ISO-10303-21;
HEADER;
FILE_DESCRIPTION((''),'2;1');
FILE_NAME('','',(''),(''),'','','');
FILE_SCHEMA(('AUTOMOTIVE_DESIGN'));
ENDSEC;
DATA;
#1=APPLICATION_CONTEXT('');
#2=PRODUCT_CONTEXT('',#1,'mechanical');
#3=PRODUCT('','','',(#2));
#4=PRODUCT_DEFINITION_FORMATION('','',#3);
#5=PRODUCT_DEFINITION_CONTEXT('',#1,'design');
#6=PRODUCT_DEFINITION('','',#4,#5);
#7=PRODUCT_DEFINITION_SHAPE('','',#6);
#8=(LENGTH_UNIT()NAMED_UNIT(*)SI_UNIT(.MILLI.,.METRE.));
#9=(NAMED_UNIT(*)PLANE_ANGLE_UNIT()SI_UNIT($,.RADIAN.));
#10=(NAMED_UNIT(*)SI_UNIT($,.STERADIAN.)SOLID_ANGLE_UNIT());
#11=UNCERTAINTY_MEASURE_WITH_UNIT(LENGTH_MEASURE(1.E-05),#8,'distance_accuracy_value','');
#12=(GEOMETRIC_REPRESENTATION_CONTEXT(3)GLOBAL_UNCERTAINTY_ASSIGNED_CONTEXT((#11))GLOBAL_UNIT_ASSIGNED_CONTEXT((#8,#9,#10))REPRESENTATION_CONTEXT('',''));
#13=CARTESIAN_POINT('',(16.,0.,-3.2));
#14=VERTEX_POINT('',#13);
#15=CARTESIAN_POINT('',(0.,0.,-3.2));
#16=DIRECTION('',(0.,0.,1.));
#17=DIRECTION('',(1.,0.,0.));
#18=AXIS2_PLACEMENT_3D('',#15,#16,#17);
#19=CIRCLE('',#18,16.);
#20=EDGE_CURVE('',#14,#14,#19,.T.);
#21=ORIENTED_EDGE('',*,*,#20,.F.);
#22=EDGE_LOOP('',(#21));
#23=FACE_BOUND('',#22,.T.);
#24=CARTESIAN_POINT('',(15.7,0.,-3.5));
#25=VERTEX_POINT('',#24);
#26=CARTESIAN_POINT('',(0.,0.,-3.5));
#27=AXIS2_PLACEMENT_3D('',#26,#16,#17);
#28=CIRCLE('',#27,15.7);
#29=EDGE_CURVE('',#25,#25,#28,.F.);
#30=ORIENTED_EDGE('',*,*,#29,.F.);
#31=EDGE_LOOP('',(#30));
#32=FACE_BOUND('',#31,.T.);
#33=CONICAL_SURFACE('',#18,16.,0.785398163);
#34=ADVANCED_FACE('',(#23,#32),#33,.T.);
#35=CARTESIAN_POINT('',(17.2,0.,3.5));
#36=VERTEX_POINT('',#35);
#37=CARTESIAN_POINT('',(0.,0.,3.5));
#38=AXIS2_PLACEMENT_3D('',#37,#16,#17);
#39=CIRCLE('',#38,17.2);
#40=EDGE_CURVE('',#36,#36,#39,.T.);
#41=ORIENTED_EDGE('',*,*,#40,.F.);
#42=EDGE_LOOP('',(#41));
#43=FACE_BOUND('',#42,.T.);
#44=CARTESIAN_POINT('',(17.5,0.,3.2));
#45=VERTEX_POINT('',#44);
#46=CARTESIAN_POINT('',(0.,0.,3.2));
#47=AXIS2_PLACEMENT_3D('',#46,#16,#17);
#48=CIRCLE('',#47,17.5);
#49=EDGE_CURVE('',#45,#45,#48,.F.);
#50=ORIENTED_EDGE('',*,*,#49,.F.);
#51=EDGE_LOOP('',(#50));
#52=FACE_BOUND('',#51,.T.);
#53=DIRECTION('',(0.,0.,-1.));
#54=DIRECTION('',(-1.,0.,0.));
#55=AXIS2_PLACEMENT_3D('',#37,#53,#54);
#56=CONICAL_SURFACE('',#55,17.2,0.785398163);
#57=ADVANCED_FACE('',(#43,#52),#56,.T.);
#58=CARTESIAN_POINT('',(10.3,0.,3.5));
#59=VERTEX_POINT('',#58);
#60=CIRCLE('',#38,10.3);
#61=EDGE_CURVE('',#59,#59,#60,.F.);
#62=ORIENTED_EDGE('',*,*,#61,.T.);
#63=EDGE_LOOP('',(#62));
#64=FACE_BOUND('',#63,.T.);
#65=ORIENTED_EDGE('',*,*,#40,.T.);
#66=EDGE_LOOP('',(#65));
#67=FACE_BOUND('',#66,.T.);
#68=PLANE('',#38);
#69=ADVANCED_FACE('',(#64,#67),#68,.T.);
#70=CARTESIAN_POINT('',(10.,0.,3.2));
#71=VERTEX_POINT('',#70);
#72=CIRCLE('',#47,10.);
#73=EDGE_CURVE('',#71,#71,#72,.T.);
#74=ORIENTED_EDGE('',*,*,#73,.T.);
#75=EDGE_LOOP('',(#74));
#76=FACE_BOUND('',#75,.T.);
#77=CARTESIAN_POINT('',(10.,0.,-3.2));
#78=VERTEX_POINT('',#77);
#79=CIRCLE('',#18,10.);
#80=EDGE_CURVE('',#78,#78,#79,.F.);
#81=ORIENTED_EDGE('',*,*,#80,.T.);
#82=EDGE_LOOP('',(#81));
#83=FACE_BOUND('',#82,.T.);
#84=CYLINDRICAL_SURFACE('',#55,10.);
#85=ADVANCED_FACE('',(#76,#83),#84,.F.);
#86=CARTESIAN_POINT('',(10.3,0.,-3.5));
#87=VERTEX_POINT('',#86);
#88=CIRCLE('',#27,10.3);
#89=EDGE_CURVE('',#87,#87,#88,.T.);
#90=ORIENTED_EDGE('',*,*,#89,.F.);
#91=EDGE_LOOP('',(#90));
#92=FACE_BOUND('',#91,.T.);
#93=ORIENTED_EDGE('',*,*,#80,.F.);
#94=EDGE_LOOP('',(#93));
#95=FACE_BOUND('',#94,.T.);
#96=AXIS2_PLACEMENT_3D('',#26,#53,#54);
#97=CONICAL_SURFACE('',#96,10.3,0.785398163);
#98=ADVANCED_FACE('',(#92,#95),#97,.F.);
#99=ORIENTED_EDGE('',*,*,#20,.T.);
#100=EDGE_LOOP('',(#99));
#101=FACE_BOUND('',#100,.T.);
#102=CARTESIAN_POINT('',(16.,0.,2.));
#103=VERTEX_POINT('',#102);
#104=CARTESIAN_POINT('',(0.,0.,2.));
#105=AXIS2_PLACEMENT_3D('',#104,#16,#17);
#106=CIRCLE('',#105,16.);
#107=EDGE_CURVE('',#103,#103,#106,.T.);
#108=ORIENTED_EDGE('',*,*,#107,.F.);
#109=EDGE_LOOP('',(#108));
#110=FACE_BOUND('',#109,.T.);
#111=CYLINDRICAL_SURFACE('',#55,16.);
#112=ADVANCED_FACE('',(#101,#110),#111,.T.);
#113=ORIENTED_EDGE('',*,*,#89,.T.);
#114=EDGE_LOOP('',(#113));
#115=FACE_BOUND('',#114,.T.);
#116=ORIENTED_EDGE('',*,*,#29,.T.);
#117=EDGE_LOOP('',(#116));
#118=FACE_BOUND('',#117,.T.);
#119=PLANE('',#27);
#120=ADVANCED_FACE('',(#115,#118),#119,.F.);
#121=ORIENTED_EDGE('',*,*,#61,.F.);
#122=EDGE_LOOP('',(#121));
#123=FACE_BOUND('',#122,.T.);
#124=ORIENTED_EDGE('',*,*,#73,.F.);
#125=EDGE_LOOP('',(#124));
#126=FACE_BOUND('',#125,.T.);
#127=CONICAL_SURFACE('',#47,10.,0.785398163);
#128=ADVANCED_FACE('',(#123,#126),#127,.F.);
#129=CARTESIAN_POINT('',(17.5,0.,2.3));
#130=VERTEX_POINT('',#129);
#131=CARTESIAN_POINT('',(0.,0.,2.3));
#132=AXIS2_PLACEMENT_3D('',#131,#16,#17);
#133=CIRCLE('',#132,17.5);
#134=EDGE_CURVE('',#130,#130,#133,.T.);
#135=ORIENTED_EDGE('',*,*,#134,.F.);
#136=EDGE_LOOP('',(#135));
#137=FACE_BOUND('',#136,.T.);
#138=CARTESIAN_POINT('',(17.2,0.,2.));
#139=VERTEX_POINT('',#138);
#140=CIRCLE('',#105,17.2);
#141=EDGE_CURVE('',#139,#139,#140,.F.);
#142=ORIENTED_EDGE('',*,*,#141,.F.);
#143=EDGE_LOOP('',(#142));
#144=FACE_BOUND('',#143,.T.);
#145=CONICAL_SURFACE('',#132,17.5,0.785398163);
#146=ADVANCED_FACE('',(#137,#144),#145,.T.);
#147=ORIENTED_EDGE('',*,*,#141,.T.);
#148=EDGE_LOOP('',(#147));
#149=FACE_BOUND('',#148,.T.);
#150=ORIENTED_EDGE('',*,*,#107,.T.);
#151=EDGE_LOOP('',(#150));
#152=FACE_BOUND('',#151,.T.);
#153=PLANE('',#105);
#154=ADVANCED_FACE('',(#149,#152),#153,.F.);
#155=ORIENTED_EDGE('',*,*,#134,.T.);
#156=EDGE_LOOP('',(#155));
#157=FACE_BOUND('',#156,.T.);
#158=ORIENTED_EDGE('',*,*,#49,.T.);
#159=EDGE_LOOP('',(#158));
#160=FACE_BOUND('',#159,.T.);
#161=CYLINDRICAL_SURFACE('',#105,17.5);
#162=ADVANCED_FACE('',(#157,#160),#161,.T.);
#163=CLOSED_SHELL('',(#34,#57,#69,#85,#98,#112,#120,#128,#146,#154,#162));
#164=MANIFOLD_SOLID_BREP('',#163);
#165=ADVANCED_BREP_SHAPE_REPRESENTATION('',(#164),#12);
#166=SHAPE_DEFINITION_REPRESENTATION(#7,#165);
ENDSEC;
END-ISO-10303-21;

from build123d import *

# Parameters (mm, degrees)
SKETCH_1_R      = 16
SKETCH_1_R_2    = 10
EXTRUDE_1_DEPTH = 3.5
EXTRUDE_START   = -1.5
SKETCH_2_R      = 17.5
SKETCH_2_R_2    = 10
EXTRUDE_2_DEPTH = 1.5
CHAMFER_1_SIZE  = 0.3


with BuildPart() as part:
    # 草图1 → 凸台-拉伸1 (new, symmetric)
    with BuildSketch(Plane.XY):
        Circle(SKETCH_1_R)
        Circle(SKETCH_1_R_2, mode=Mode.SUBTRACT)
    extrude(amount=EXTRUDE_1_DEPTH, both=True)

    # 草图2 → 凸台-拉伸2 (add)
    with BuildSketch(Plane.XY.offset(3.5).offset(EXTRUDE_START)):
        Circle(SKETCH_2_R)
        Circle(SKETCH_2_R_2, mode=Mode.SUBTRACT)
    extrude(amount=EXTRUDE_2_DEPTH)

    # 倒角1
    chamfer_1_edges = [part.edges().sort_by_distance(p)[0] for p in [
        (-17.5, 0, 3.5),
        (-17.5, 0, 2),
        (-16, 0, -3.5),
        (-10, 0, -3.5),
        (-10, 0, 3.5),
    ]]
    chamfer(chamfer_1_edges, length=CHAMFER_1_SIZE)


solid = part.part
